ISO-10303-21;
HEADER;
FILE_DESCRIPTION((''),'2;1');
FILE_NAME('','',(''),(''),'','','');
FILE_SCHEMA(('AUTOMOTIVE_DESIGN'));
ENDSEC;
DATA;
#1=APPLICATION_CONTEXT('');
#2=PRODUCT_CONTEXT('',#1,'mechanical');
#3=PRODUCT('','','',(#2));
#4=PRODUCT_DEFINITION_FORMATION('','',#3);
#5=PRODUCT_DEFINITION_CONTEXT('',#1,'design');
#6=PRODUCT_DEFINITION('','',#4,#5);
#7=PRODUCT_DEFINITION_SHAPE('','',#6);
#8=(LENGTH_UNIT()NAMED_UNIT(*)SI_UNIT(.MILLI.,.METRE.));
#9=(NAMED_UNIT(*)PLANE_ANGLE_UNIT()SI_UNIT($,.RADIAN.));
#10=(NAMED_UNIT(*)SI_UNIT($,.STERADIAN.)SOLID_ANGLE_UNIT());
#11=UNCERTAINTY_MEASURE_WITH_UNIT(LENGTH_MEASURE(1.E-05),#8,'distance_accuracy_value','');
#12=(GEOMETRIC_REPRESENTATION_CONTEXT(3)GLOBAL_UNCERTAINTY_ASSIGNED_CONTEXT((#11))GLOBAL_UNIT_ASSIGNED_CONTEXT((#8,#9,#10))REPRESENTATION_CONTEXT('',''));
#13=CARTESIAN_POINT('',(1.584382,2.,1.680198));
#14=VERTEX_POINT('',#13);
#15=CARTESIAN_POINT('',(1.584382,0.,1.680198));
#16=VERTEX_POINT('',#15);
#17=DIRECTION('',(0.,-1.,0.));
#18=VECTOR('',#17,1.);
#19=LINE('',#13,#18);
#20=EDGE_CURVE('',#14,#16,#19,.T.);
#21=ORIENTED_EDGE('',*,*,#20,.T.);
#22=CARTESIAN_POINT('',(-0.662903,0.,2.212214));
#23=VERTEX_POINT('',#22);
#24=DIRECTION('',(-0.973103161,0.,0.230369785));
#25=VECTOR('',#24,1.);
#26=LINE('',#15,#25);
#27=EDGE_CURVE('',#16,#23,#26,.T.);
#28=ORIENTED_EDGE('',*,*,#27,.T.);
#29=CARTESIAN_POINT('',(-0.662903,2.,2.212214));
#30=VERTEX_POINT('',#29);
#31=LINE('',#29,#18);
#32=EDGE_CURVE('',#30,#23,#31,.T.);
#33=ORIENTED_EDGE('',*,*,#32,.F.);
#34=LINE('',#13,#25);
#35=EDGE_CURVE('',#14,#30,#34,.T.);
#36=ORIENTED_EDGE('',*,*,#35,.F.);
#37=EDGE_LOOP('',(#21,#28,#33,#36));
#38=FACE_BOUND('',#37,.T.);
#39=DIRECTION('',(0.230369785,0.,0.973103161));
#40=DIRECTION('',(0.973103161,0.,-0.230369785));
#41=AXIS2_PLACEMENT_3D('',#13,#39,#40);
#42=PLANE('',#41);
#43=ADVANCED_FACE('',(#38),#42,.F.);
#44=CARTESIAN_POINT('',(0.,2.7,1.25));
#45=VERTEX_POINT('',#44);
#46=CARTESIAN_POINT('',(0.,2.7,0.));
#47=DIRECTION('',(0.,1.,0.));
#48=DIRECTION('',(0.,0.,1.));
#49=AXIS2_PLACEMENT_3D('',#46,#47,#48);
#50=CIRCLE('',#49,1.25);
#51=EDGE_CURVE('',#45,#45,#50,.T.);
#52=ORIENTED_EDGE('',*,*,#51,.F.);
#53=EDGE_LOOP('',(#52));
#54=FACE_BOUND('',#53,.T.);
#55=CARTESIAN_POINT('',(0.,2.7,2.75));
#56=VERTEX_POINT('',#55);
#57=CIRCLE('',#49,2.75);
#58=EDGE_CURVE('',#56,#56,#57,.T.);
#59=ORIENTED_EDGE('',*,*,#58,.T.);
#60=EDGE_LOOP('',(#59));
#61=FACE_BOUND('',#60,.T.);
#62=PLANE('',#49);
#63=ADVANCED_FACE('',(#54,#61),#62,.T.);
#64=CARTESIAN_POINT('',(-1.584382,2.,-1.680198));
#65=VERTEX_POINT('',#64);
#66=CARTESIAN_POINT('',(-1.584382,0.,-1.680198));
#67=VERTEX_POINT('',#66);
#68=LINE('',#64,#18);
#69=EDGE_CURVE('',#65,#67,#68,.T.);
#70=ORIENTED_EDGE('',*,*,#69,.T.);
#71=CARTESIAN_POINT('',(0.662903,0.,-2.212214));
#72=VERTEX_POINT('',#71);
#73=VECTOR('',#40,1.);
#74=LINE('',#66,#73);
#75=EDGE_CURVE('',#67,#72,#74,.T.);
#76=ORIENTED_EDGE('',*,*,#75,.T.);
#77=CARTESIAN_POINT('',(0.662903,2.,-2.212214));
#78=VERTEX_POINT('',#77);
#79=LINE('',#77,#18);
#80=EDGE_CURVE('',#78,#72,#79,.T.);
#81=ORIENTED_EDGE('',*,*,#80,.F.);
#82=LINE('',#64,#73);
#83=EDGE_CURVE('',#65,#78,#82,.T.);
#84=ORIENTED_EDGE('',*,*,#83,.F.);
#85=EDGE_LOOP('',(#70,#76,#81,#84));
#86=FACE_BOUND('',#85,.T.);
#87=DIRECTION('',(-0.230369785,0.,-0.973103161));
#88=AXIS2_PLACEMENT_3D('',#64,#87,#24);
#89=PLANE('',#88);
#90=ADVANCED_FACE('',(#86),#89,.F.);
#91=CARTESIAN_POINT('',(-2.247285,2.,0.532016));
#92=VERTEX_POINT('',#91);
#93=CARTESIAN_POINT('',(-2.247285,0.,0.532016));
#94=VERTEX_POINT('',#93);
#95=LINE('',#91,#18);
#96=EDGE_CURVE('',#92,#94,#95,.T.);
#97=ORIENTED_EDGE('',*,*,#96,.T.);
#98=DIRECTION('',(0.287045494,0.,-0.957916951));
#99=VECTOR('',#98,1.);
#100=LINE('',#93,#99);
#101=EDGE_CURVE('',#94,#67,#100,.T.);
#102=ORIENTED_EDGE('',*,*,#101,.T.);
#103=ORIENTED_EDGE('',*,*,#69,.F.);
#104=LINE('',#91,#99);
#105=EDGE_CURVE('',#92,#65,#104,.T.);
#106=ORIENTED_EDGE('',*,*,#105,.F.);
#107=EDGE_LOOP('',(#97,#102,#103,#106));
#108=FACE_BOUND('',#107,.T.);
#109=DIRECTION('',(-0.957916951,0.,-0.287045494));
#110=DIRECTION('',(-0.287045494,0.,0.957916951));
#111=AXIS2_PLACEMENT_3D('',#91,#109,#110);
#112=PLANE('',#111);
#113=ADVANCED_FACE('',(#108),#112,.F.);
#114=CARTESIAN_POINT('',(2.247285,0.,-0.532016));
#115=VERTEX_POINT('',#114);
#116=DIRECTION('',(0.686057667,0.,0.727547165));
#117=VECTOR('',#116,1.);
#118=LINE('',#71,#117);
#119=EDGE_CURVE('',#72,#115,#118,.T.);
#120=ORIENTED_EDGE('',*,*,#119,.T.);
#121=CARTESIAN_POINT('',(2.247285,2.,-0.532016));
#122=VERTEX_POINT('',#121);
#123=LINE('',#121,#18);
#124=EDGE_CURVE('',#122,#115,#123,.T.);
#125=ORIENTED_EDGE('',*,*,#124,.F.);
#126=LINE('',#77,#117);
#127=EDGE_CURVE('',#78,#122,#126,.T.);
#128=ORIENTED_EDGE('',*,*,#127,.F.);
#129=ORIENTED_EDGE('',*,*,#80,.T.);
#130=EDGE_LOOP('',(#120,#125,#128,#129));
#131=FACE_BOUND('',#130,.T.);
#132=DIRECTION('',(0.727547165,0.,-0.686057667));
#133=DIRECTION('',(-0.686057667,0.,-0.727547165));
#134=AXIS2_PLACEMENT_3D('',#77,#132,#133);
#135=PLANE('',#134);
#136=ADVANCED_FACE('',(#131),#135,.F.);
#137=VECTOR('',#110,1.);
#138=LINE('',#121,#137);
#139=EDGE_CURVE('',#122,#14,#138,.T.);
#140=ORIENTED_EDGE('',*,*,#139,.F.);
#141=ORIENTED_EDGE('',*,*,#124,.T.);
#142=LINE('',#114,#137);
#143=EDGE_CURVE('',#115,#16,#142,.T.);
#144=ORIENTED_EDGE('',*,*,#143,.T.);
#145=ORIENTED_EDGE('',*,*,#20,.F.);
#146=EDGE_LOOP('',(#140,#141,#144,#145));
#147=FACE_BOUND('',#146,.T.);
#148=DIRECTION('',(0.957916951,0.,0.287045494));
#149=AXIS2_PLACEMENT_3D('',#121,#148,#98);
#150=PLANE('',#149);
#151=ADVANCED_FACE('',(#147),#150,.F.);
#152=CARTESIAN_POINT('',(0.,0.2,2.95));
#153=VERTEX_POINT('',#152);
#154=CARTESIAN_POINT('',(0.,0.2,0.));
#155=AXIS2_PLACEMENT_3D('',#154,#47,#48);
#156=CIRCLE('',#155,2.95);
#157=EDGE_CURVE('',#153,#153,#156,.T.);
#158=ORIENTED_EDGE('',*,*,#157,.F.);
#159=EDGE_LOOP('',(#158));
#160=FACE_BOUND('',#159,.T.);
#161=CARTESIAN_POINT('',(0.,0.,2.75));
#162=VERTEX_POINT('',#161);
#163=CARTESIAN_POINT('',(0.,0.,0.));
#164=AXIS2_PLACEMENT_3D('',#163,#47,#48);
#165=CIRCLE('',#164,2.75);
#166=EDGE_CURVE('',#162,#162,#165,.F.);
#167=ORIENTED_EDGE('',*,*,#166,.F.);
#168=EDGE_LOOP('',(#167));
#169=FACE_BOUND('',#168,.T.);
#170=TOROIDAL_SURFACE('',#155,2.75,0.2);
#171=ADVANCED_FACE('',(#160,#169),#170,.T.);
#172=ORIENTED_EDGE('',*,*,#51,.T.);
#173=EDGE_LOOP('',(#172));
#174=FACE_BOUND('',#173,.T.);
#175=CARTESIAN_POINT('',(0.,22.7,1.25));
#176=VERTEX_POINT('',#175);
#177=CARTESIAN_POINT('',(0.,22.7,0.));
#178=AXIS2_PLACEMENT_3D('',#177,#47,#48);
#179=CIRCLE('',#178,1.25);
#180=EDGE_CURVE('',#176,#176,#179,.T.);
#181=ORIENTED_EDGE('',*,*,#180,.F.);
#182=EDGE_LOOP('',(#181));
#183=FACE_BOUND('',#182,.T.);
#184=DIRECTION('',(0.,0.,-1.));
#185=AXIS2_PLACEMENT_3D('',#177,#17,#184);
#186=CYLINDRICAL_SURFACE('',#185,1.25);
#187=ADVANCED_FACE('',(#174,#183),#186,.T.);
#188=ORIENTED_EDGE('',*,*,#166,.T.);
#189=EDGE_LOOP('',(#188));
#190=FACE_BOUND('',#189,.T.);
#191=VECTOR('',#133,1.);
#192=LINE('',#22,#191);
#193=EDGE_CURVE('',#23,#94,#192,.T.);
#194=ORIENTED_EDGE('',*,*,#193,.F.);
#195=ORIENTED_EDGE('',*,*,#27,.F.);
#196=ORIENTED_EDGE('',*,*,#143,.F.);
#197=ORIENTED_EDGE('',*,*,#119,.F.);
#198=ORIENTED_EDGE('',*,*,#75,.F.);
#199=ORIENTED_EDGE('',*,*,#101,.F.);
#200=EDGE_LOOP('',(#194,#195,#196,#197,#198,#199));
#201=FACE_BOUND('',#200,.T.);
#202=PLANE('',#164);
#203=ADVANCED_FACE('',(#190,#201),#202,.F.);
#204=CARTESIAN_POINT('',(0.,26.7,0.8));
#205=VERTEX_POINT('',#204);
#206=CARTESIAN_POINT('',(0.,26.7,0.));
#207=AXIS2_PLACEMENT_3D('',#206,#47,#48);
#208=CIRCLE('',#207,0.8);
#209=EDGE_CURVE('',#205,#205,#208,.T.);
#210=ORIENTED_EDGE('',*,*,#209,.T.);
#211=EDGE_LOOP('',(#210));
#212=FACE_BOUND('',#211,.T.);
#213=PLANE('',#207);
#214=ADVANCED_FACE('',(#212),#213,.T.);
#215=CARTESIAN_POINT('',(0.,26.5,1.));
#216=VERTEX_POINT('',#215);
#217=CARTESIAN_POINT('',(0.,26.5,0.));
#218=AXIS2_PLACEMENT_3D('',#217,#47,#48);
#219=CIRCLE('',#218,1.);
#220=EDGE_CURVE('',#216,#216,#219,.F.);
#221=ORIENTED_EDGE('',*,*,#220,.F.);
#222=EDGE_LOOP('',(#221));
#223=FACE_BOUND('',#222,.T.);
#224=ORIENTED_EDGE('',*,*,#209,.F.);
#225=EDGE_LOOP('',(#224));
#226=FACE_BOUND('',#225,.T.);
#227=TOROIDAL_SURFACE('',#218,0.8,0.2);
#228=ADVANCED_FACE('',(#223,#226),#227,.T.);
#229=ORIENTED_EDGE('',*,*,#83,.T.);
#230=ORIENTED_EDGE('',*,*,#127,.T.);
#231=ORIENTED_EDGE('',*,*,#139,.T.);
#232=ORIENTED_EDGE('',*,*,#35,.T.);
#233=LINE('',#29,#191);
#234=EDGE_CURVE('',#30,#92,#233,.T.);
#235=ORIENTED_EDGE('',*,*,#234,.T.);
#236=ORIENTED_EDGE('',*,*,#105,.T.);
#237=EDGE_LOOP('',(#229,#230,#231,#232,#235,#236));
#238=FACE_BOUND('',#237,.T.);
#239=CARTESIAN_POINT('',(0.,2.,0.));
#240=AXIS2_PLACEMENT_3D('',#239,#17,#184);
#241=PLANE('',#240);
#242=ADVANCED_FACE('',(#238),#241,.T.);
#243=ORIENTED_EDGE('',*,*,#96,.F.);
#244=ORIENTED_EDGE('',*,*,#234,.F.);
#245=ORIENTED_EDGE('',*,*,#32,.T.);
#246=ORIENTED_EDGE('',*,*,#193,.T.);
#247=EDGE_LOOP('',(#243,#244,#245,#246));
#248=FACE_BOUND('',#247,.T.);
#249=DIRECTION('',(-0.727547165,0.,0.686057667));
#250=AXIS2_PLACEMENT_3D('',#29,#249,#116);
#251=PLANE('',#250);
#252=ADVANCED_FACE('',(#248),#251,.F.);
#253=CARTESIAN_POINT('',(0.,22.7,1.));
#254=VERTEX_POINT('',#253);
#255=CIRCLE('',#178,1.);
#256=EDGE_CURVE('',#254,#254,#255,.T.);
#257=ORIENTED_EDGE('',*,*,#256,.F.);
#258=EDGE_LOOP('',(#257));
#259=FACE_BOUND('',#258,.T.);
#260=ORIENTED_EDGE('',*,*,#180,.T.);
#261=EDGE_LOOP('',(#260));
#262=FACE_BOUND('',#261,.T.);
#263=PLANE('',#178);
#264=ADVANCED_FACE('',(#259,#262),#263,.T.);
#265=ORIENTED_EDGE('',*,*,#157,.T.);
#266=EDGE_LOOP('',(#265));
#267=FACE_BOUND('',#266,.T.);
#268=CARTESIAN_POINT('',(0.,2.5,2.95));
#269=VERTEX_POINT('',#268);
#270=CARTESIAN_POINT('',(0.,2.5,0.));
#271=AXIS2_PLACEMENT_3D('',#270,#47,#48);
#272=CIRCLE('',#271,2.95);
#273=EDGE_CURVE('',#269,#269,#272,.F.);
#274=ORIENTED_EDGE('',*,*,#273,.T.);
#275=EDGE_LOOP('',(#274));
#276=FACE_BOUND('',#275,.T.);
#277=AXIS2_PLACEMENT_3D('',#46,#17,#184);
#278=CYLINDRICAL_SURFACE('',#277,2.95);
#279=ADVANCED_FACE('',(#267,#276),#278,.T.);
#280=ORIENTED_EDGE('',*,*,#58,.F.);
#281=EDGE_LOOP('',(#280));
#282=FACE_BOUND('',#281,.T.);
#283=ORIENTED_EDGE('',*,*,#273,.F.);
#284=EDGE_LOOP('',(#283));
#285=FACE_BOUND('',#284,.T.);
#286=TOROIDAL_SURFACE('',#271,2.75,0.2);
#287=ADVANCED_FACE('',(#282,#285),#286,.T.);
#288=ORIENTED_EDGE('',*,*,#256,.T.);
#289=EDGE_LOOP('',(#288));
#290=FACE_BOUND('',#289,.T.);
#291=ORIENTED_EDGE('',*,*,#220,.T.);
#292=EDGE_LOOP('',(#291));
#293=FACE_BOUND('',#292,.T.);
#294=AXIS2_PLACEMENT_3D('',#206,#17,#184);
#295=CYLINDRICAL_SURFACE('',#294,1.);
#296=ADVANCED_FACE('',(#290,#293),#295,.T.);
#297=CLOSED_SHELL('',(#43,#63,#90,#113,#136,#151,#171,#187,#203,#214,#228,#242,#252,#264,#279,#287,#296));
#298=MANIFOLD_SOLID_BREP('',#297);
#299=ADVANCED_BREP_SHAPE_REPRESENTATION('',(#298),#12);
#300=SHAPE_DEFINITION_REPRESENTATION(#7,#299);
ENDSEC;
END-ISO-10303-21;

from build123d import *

# Parameters (mm, degrees)
SKETCH_1_R          = 2.95
EXTRUDE_1_DEPTH     = 2.7
SKETCH_2_R          = 1.25
EXTRUDE_2_DEPTH     = 20
SKETCH_3_R          = 1
EXTRUDE_3_DEPTH     = 4
CUT_EXTRUDE_1_DEPTH = 2
FILLET_1_R          = 0.2


with BuildPart() as part:
    # 草图1 → 凸台-拉伸1 (new body)
    with BuildSketch(Plane(origin=(0, 0, 0), x_dir=(1, 0, 0), z_dir=(0, 1, 0))):
        Circle(SKETCH_1_R)
    extrude(amount=EXTRUDE_1_DEPTH)

    # 草图2 → 凸台-拉伸2 (add)
    with BuildSketch(Plane(origin=(0, 2.7, 0), x_dir=(1, 0, 0), z_dir=(0, 1, 0))):
        Circle(SKETCH_2_R)
    extrude(amount=EXTRUDE_2_DEPTH)

    # 草图3 → 凸台-拉伸3 (add)
    with BuildSketch(Plane(origin=(0, 22.7, 0), x_dir=(1, 0, 0), z_dir=(0, 1, 0))):
        Circle(SKETCH_3_R)
    extrude(amount=EXTRUDE_3_DEPTH)

    # 草图4 → 切除-拉伸1 (cut)
    with BuildSketch(Plane.XZ):
        Polygon((2.247285488, -0.53201623), (1.584382314, 1.680198207), (-0.662903174, 2.212214437), (-2.247285488, 0.53201623), (-1.584382314, -1.680198207), (0.662903174, -2.212214437), align=None)
    extrude(amount=-CUT_EXTRUDE_1_DEPTH, mode=Mode.SUBTRACT)

    # 圆角1
    fillet_1_edges = [part.edges().sort_by_distance(p)[0] for p in [
        (-1, 26.7, 0),
        (-2.95, 0, 0),
        (-2.95, 2.7, 0),
    ]]
    fillet(fillet_1_edges, radius=FILLET_1_R)


solid = part.part
